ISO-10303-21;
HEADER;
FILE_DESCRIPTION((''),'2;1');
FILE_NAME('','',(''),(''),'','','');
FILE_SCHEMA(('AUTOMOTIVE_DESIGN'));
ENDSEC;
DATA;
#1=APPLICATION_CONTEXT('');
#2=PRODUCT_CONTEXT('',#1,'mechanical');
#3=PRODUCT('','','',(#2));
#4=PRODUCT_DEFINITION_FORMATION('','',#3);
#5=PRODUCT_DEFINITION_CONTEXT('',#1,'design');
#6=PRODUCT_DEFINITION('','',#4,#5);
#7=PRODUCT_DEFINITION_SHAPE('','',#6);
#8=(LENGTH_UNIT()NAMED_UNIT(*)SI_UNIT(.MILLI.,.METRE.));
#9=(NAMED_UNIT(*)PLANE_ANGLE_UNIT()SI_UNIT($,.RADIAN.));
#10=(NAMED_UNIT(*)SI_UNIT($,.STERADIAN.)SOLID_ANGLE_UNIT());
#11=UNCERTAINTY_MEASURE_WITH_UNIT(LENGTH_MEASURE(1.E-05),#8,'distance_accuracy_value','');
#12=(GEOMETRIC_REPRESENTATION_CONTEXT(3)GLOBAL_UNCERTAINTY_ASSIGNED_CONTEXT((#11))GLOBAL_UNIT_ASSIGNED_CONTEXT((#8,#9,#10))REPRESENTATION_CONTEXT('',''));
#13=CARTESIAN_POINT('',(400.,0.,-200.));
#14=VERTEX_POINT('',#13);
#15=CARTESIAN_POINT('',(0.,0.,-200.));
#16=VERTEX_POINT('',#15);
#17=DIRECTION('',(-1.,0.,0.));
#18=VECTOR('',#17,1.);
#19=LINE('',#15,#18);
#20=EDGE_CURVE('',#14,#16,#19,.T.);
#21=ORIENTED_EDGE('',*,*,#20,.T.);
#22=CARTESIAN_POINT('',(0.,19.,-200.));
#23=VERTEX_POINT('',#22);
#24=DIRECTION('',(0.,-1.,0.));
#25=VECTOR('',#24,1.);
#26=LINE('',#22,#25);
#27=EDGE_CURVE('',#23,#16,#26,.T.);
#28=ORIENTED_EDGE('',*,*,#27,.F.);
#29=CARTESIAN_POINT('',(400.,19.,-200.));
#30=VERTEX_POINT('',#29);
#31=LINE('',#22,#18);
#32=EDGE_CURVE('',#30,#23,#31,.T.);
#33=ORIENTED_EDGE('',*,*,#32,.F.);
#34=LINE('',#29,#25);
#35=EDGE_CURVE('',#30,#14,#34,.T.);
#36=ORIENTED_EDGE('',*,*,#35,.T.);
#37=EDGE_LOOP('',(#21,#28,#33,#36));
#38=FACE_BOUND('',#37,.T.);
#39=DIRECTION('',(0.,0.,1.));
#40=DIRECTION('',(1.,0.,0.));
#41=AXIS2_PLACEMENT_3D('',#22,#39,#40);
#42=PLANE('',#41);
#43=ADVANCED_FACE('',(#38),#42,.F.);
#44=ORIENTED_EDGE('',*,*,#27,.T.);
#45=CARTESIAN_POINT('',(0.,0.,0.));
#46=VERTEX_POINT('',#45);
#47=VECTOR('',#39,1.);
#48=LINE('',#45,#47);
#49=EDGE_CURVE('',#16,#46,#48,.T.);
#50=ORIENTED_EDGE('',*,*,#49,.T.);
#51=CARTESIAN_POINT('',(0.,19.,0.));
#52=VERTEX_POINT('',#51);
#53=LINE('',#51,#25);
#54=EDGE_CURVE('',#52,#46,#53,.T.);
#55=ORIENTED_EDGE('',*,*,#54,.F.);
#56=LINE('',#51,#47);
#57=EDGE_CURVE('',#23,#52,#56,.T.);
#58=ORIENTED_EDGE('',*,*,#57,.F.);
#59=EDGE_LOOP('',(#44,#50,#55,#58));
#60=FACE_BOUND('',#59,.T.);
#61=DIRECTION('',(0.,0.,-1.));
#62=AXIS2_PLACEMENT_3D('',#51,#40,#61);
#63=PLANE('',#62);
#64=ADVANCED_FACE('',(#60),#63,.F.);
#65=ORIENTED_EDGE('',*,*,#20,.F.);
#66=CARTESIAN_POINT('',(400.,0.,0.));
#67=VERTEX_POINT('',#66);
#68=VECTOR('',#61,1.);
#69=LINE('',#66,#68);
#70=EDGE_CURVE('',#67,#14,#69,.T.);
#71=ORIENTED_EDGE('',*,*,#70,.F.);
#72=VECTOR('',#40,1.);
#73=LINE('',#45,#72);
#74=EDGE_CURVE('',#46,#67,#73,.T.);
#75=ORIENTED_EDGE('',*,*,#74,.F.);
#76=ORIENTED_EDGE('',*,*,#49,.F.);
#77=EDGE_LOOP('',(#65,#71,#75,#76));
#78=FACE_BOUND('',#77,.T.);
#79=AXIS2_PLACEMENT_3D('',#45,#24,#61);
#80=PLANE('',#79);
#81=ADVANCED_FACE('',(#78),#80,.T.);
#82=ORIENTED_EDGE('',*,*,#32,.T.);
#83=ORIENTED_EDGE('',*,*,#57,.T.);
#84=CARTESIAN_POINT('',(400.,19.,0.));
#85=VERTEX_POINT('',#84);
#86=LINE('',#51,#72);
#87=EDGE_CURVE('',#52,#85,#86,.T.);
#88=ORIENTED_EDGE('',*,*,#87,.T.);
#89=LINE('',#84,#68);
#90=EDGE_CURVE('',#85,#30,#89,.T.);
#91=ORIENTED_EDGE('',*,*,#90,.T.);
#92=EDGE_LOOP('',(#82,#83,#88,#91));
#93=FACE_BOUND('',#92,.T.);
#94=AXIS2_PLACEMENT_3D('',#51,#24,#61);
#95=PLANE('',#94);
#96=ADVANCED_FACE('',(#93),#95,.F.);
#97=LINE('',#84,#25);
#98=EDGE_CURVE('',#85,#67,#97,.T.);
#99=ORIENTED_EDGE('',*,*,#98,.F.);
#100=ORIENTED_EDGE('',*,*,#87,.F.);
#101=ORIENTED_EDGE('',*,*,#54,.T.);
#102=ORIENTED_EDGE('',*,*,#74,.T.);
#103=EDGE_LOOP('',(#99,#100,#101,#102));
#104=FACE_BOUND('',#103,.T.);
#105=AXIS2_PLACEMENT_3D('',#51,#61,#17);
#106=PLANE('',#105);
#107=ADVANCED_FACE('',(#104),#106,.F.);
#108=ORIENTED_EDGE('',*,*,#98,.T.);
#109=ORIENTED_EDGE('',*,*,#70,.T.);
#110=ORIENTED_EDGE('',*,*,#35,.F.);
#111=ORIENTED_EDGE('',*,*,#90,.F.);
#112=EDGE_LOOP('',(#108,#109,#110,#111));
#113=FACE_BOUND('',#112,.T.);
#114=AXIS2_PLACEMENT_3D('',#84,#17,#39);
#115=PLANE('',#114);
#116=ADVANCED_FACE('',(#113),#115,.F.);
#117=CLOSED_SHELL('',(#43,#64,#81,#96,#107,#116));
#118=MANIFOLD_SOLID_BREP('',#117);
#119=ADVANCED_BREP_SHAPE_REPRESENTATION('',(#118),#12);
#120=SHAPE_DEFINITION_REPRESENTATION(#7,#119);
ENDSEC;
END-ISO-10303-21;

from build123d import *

# Parameters (mm, degrees)
SKETCH1_W           = 400
SKETCH1_H           = 200
BOSS_EXTRUDE1_DEPTH = 19


with BuildPart() as part:
    # Sketch1 → Boss-Extrude1 (new body)
    with BuildSketch(Plane(origin=(0, 0, 0), x_dir=(1, 0, 0), z_dir=(0, 1, 0))):
        with Locations((200, 100)):
            Rectangle(SKETCH1_W, SKETCH1_H)
    extrude(amount=BOSS_EXTRUDE1_DEPTH)


solid = part.part
